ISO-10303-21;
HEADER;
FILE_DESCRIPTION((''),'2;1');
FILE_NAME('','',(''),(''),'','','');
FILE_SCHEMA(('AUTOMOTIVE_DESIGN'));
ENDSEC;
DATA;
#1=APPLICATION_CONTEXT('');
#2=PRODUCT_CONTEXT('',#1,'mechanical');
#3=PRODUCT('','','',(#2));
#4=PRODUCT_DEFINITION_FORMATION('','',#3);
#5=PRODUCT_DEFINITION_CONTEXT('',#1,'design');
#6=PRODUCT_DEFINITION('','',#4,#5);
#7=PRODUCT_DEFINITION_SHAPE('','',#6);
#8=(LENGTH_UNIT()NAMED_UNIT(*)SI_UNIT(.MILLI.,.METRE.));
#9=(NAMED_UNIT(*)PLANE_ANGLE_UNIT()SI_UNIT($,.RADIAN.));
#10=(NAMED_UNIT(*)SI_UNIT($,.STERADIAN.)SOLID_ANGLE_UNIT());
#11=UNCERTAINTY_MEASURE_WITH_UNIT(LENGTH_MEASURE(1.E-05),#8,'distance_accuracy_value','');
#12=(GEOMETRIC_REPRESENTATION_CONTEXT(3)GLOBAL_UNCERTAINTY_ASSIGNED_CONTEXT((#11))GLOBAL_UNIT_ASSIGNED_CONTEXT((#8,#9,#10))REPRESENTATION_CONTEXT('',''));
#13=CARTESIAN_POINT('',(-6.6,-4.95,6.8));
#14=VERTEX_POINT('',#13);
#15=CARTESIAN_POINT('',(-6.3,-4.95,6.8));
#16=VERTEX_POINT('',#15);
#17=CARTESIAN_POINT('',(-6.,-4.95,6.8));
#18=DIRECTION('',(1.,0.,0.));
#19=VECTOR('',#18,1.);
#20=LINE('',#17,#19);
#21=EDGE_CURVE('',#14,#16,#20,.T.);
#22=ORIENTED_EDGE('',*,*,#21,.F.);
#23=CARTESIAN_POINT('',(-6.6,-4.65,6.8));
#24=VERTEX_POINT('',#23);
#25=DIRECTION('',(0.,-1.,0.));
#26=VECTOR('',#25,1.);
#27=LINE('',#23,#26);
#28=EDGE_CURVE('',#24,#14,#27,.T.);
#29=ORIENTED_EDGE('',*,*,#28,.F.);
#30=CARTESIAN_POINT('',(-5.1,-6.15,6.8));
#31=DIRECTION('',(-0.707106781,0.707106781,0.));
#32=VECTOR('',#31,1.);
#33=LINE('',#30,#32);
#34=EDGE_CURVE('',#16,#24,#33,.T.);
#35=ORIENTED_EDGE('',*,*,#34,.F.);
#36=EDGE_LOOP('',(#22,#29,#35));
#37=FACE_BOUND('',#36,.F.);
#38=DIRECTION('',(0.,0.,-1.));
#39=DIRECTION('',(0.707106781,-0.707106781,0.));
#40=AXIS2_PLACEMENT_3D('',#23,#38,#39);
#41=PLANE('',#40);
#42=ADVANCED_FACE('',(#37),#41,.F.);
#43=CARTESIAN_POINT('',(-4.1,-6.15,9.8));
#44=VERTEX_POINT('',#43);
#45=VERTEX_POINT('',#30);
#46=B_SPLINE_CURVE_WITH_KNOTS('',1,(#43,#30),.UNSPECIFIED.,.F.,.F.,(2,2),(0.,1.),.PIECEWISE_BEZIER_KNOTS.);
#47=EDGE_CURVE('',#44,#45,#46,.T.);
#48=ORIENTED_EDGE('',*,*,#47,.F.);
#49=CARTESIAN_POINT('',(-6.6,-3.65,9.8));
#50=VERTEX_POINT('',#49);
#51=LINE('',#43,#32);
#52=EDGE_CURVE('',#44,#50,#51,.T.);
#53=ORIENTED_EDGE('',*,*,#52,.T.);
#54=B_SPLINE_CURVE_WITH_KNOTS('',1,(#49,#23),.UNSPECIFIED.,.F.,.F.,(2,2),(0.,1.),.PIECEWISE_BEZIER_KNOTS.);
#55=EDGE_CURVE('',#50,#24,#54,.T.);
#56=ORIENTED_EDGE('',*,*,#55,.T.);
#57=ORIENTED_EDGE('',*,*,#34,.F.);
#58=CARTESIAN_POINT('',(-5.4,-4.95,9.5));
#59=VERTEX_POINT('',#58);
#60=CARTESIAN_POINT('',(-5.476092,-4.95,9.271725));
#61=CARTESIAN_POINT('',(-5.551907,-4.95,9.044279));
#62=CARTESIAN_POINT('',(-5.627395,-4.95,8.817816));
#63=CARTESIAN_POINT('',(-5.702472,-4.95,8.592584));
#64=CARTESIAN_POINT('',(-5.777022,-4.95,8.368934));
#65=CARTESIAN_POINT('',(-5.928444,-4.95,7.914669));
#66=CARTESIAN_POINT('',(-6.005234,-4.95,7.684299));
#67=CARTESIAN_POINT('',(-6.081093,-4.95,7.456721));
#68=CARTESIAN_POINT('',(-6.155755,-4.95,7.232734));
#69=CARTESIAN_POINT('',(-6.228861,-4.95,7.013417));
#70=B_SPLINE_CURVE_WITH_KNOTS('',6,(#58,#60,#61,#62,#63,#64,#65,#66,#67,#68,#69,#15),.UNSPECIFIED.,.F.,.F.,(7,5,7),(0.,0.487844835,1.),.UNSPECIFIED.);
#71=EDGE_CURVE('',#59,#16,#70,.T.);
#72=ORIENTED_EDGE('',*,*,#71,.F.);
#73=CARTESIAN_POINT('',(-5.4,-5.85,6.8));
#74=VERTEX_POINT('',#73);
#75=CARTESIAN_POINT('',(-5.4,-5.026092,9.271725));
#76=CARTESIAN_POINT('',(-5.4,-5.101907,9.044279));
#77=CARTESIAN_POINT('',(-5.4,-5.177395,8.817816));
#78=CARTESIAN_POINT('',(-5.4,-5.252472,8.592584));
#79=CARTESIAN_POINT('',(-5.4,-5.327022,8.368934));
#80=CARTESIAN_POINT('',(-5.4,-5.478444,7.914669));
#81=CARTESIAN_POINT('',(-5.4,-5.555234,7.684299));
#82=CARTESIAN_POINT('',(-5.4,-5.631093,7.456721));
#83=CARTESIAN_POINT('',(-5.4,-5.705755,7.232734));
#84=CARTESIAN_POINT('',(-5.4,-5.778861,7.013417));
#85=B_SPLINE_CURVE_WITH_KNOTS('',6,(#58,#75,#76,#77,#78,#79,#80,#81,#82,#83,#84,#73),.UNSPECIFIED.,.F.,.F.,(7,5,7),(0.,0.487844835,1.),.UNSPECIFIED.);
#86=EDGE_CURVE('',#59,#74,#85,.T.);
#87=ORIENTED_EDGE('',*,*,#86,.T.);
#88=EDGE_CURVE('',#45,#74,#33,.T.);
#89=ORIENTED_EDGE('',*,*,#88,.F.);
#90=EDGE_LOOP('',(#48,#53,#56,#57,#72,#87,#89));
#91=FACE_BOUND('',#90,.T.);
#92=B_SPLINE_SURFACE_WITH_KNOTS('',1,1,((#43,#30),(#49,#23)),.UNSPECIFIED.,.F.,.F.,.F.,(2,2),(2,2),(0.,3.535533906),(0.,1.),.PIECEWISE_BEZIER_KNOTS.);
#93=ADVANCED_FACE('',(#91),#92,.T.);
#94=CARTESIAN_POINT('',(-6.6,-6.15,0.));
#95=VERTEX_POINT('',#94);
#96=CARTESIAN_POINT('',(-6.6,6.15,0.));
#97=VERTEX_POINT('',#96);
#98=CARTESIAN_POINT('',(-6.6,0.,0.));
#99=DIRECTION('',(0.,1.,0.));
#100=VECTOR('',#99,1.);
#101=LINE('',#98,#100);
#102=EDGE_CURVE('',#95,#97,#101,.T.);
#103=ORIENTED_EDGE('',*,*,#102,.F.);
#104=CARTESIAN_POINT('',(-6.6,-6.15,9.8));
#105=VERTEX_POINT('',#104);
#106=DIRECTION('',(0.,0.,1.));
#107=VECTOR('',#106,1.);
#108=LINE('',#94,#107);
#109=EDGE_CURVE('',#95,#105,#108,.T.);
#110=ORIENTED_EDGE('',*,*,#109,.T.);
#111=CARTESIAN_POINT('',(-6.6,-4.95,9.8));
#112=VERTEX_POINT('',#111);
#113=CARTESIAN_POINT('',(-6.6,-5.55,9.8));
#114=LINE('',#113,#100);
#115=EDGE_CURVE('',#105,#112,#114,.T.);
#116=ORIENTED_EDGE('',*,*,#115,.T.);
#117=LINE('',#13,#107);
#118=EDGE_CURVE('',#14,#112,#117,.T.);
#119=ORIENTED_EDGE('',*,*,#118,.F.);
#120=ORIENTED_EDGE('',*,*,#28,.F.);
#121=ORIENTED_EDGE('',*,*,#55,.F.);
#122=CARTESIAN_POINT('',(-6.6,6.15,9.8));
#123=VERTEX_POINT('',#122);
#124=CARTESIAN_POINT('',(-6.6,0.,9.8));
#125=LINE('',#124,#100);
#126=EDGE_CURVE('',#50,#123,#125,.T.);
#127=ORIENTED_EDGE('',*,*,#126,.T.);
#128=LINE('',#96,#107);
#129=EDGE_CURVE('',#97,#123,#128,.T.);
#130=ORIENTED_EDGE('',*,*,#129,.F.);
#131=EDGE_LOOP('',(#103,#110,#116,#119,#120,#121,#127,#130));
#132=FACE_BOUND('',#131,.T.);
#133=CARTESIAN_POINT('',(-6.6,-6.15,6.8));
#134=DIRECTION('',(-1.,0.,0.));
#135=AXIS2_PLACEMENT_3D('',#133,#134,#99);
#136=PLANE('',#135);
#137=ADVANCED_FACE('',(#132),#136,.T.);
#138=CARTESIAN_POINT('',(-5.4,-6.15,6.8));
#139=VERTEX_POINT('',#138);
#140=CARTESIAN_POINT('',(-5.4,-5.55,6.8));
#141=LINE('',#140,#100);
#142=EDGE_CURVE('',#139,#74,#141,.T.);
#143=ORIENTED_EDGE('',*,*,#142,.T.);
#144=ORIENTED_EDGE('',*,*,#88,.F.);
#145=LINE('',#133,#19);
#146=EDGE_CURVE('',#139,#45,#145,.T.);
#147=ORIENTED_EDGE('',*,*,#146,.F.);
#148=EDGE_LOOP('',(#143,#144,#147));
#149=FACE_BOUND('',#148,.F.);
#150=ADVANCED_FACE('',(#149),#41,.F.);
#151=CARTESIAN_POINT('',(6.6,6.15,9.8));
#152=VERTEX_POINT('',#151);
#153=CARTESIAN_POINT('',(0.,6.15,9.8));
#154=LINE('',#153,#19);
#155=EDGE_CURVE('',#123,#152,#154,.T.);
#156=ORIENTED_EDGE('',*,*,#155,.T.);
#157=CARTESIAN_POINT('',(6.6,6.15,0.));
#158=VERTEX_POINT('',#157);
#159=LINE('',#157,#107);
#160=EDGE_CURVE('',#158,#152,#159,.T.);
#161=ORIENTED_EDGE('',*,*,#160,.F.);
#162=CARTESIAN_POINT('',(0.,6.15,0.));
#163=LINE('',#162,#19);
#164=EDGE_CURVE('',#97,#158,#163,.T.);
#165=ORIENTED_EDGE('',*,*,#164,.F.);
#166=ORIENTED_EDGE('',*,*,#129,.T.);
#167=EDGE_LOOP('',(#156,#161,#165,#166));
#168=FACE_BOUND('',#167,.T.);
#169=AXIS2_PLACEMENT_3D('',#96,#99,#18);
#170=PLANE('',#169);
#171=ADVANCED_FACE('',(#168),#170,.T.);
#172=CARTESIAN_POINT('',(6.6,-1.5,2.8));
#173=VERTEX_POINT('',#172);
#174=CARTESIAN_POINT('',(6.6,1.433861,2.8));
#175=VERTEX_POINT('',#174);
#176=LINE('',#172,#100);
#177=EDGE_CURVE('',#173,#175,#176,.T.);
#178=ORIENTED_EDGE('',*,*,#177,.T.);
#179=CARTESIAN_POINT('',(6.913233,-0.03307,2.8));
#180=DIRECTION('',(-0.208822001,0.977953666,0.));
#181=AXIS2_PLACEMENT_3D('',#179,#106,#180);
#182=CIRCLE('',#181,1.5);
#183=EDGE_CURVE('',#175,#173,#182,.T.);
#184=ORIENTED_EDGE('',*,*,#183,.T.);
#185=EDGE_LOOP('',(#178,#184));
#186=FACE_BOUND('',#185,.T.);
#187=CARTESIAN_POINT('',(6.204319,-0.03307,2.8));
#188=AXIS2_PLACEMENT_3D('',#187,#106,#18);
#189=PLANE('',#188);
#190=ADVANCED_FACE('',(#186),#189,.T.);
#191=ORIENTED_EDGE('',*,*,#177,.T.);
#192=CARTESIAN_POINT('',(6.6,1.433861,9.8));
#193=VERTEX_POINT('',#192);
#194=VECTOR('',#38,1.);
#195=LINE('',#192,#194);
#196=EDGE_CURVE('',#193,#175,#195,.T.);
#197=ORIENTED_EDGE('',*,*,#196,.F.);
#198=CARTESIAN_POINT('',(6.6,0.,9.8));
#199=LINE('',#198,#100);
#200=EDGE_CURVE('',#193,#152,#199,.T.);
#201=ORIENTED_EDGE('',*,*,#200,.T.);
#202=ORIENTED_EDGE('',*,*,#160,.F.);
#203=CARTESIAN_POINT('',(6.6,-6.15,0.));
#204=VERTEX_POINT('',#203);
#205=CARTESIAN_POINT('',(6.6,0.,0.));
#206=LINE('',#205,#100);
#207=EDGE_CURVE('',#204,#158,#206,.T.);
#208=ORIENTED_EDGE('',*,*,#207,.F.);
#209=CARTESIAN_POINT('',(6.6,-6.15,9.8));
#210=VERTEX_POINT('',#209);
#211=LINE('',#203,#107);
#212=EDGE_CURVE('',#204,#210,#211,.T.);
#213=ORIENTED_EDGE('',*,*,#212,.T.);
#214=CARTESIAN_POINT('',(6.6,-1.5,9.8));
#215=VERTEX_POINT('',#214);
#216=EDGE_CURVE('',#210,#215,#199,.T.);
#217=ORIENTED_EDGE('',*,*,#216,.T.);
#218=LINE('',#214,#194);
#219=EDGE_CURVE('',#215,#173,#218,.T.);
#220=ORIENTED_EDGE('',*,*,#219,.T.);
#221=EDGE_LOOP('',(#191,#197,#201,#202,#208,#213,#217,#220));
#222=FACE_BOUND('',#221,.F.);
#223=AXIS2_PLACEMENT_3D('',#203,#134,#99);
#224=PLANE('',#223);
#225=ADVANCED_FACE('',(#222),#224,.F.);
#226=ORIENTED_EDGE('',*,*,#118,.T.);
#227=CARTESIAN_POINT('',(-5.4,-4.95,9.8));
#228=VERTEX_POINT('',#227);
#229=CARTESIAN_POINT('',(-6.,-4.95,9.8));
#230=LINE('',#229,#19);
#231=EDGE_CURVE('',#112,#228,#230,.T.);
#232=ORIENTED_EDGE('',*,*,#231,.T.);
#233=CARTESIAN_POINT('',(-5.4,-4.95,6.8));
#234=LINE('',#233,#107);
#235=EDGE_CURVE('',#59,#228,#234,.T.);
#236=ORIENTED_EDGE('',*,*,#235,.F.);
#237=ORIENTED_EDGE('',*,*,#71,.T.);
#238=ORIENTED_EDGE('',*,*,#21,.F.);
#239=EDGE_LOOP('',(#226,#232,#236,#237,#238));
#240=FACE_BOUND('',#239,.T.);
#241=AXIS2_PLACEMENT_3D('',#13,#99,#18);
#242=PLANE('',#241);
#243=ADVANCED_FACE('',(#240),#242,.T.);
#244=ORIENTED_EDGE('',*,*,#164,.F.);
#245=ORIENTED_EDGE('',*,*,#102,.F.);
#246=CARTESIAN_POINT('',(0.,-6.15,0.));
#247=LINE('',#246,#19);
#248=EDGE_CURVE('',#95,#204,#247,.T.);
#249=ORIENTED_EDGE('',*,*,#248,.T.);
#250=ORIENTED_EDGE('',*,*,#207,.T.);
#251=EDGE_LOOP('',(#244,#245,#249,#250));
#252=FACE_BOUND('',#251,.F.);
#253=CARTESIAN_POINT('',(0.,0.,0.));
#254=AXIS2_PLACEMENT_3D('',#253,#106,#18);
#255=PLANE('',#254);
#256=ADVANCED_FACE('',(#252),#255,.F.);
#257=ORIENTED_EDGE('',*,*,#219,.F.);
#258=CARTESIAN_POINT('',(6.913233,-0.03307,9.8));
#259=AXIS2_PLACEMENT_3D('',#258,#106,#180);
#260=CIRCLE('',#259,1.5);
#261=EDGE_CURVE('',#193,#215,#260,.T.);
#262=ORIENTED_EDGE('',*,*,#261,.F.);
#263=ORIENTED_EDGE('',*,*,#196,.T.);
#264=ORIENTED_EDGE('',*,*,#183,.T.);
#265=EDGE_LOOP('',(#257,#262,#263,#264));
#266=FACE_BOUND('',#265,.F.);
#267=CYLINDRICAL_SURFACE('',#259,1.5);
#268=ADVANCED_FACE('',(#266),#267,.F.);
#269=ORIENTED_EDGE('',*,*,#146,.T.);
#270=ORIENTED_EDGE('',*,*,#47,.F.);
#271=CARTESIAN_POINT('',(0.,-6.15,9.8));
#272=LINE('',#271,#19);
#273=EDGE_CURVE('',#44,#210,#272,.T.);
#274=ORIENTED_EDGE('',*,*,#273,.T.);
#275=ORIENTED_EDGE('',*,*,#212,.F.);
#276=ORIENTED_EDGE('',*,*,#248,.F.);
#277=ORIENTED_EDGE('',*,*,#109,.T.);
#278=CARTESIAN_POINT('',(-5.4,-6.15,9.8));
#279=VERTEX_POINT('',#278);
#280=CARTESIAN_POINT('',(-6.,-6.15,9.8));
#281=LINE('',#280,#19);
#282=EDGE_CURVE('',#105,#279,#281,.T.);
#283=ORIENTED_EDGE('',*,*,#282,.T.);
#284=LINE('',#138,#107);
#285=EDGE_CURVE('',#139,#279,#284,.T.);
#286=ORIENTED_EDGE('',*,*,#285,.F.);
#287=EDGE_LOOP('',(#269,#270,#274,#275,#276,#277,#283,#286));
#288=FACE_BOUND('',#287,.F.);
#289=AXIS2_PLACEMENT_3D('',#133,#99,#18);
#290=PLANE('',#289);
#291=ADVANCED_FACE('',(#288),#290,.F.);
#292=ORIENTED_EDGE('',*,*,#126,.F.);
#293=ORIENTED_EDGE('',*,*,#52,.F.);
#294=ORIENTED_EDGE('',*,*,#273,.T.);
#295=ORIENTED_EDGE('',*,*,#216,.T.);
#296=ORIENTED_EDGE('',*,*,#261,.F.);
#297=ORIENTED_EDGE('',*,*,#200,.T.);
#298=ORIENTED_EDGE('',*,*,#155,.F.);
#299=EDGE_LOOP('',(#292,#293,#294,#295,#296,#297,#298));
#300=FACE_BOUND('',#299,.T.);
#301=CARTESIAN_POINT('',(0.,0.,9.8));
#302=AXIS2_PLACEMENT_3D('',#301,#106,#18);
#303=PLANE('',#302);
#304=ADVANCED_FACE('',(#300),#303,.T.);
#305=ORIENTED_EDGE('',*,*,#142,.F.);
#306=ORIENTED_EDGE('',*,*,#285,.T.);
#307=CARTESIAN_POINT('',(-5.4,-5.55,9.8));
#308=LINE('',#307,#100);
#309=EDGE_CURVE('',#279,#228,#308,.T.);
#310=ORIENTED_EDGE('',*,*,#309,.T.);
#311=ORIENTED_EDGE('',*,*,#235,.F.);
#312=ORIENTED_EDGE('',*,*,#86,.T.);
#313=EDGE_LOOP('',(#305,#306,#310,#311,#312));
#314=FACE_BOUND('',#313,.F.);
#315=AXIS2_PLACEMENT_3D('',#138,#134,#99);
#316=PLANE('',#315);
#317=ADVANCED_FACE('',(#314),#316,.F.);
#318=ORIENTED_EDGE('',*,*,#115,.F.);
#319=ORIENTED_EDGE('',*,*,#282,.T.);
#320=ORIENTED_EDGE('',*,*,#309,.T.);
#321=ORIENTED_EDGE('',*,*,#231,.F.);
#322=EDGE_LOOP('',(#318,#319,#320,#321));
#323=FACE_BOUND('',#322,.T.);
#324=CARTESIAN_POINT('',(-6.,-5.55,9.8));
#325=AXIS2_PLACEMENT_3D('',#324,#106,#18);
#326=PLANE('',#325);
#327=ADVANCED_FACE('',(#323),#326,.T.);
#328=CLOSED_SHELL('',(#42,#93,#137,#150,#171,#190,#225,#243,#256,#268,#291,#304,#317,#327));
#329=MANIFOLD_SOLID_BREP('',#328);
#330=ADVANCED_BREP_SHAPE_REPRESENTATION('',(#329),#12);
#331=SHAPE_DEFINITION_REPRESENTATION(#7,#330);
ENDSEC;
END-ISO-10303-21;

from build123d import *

# Parameters (mm, degrees)
F0_W     = 13.2
F0_H     = 12.3
F1_DEPTH = 9.8
F6_W     = 1.2
F6_H     = 1.2
F7_DEPTH = 3
F9_DEPTH = 7


with BuildPart() as f1:
    # F0 (on Top) → F1 (new body)
    with BuildSketch(Plane.XY):
        Rectangle(F0_W, F0_H)
    extrude(amount=F1_DEPTH)

    # F3 (on face) → F5 section 0
    with BuildSketch(Plane.XY.offset(9.8)):
        Polygon((-6.6, -3.65), (-6.6, -6.15), (-4.1, -6.15), align=None)
    # F4 (on offset) → F5 section 1
    with BuildSketch(Plane.XY.offset(6.8)):
        Polygon((-6.6, -6.15), (-5.1, -6.15), (-6.6, -4.65), align=None)
    loft(mode=Mode.SUBTRACT)

    # F6 (on face) → F7 (join)
    with BuildSketch(Plane.XY.offset(6.8)):
        with Locations((-6, -5.55)):
            Rectangle(F6_W, F6_H)
    extrude(amount=F7_DEPTH)

    # F8 (on face) → F9 (cut)
    with BuildSketch(Plane.XY.offset(9.8)):
        with BuildLine():
            Line((6.6, -1.5), (6.6, 1.433861))
            ThreePointArc((6.6, 1.433861), (5.413233, -0.03307), (6.6, -1.5))
        make_face()
    extrude(amount=-F9_DEPTH, mode=Mode.SUBTRACT)


solid = f1.part
